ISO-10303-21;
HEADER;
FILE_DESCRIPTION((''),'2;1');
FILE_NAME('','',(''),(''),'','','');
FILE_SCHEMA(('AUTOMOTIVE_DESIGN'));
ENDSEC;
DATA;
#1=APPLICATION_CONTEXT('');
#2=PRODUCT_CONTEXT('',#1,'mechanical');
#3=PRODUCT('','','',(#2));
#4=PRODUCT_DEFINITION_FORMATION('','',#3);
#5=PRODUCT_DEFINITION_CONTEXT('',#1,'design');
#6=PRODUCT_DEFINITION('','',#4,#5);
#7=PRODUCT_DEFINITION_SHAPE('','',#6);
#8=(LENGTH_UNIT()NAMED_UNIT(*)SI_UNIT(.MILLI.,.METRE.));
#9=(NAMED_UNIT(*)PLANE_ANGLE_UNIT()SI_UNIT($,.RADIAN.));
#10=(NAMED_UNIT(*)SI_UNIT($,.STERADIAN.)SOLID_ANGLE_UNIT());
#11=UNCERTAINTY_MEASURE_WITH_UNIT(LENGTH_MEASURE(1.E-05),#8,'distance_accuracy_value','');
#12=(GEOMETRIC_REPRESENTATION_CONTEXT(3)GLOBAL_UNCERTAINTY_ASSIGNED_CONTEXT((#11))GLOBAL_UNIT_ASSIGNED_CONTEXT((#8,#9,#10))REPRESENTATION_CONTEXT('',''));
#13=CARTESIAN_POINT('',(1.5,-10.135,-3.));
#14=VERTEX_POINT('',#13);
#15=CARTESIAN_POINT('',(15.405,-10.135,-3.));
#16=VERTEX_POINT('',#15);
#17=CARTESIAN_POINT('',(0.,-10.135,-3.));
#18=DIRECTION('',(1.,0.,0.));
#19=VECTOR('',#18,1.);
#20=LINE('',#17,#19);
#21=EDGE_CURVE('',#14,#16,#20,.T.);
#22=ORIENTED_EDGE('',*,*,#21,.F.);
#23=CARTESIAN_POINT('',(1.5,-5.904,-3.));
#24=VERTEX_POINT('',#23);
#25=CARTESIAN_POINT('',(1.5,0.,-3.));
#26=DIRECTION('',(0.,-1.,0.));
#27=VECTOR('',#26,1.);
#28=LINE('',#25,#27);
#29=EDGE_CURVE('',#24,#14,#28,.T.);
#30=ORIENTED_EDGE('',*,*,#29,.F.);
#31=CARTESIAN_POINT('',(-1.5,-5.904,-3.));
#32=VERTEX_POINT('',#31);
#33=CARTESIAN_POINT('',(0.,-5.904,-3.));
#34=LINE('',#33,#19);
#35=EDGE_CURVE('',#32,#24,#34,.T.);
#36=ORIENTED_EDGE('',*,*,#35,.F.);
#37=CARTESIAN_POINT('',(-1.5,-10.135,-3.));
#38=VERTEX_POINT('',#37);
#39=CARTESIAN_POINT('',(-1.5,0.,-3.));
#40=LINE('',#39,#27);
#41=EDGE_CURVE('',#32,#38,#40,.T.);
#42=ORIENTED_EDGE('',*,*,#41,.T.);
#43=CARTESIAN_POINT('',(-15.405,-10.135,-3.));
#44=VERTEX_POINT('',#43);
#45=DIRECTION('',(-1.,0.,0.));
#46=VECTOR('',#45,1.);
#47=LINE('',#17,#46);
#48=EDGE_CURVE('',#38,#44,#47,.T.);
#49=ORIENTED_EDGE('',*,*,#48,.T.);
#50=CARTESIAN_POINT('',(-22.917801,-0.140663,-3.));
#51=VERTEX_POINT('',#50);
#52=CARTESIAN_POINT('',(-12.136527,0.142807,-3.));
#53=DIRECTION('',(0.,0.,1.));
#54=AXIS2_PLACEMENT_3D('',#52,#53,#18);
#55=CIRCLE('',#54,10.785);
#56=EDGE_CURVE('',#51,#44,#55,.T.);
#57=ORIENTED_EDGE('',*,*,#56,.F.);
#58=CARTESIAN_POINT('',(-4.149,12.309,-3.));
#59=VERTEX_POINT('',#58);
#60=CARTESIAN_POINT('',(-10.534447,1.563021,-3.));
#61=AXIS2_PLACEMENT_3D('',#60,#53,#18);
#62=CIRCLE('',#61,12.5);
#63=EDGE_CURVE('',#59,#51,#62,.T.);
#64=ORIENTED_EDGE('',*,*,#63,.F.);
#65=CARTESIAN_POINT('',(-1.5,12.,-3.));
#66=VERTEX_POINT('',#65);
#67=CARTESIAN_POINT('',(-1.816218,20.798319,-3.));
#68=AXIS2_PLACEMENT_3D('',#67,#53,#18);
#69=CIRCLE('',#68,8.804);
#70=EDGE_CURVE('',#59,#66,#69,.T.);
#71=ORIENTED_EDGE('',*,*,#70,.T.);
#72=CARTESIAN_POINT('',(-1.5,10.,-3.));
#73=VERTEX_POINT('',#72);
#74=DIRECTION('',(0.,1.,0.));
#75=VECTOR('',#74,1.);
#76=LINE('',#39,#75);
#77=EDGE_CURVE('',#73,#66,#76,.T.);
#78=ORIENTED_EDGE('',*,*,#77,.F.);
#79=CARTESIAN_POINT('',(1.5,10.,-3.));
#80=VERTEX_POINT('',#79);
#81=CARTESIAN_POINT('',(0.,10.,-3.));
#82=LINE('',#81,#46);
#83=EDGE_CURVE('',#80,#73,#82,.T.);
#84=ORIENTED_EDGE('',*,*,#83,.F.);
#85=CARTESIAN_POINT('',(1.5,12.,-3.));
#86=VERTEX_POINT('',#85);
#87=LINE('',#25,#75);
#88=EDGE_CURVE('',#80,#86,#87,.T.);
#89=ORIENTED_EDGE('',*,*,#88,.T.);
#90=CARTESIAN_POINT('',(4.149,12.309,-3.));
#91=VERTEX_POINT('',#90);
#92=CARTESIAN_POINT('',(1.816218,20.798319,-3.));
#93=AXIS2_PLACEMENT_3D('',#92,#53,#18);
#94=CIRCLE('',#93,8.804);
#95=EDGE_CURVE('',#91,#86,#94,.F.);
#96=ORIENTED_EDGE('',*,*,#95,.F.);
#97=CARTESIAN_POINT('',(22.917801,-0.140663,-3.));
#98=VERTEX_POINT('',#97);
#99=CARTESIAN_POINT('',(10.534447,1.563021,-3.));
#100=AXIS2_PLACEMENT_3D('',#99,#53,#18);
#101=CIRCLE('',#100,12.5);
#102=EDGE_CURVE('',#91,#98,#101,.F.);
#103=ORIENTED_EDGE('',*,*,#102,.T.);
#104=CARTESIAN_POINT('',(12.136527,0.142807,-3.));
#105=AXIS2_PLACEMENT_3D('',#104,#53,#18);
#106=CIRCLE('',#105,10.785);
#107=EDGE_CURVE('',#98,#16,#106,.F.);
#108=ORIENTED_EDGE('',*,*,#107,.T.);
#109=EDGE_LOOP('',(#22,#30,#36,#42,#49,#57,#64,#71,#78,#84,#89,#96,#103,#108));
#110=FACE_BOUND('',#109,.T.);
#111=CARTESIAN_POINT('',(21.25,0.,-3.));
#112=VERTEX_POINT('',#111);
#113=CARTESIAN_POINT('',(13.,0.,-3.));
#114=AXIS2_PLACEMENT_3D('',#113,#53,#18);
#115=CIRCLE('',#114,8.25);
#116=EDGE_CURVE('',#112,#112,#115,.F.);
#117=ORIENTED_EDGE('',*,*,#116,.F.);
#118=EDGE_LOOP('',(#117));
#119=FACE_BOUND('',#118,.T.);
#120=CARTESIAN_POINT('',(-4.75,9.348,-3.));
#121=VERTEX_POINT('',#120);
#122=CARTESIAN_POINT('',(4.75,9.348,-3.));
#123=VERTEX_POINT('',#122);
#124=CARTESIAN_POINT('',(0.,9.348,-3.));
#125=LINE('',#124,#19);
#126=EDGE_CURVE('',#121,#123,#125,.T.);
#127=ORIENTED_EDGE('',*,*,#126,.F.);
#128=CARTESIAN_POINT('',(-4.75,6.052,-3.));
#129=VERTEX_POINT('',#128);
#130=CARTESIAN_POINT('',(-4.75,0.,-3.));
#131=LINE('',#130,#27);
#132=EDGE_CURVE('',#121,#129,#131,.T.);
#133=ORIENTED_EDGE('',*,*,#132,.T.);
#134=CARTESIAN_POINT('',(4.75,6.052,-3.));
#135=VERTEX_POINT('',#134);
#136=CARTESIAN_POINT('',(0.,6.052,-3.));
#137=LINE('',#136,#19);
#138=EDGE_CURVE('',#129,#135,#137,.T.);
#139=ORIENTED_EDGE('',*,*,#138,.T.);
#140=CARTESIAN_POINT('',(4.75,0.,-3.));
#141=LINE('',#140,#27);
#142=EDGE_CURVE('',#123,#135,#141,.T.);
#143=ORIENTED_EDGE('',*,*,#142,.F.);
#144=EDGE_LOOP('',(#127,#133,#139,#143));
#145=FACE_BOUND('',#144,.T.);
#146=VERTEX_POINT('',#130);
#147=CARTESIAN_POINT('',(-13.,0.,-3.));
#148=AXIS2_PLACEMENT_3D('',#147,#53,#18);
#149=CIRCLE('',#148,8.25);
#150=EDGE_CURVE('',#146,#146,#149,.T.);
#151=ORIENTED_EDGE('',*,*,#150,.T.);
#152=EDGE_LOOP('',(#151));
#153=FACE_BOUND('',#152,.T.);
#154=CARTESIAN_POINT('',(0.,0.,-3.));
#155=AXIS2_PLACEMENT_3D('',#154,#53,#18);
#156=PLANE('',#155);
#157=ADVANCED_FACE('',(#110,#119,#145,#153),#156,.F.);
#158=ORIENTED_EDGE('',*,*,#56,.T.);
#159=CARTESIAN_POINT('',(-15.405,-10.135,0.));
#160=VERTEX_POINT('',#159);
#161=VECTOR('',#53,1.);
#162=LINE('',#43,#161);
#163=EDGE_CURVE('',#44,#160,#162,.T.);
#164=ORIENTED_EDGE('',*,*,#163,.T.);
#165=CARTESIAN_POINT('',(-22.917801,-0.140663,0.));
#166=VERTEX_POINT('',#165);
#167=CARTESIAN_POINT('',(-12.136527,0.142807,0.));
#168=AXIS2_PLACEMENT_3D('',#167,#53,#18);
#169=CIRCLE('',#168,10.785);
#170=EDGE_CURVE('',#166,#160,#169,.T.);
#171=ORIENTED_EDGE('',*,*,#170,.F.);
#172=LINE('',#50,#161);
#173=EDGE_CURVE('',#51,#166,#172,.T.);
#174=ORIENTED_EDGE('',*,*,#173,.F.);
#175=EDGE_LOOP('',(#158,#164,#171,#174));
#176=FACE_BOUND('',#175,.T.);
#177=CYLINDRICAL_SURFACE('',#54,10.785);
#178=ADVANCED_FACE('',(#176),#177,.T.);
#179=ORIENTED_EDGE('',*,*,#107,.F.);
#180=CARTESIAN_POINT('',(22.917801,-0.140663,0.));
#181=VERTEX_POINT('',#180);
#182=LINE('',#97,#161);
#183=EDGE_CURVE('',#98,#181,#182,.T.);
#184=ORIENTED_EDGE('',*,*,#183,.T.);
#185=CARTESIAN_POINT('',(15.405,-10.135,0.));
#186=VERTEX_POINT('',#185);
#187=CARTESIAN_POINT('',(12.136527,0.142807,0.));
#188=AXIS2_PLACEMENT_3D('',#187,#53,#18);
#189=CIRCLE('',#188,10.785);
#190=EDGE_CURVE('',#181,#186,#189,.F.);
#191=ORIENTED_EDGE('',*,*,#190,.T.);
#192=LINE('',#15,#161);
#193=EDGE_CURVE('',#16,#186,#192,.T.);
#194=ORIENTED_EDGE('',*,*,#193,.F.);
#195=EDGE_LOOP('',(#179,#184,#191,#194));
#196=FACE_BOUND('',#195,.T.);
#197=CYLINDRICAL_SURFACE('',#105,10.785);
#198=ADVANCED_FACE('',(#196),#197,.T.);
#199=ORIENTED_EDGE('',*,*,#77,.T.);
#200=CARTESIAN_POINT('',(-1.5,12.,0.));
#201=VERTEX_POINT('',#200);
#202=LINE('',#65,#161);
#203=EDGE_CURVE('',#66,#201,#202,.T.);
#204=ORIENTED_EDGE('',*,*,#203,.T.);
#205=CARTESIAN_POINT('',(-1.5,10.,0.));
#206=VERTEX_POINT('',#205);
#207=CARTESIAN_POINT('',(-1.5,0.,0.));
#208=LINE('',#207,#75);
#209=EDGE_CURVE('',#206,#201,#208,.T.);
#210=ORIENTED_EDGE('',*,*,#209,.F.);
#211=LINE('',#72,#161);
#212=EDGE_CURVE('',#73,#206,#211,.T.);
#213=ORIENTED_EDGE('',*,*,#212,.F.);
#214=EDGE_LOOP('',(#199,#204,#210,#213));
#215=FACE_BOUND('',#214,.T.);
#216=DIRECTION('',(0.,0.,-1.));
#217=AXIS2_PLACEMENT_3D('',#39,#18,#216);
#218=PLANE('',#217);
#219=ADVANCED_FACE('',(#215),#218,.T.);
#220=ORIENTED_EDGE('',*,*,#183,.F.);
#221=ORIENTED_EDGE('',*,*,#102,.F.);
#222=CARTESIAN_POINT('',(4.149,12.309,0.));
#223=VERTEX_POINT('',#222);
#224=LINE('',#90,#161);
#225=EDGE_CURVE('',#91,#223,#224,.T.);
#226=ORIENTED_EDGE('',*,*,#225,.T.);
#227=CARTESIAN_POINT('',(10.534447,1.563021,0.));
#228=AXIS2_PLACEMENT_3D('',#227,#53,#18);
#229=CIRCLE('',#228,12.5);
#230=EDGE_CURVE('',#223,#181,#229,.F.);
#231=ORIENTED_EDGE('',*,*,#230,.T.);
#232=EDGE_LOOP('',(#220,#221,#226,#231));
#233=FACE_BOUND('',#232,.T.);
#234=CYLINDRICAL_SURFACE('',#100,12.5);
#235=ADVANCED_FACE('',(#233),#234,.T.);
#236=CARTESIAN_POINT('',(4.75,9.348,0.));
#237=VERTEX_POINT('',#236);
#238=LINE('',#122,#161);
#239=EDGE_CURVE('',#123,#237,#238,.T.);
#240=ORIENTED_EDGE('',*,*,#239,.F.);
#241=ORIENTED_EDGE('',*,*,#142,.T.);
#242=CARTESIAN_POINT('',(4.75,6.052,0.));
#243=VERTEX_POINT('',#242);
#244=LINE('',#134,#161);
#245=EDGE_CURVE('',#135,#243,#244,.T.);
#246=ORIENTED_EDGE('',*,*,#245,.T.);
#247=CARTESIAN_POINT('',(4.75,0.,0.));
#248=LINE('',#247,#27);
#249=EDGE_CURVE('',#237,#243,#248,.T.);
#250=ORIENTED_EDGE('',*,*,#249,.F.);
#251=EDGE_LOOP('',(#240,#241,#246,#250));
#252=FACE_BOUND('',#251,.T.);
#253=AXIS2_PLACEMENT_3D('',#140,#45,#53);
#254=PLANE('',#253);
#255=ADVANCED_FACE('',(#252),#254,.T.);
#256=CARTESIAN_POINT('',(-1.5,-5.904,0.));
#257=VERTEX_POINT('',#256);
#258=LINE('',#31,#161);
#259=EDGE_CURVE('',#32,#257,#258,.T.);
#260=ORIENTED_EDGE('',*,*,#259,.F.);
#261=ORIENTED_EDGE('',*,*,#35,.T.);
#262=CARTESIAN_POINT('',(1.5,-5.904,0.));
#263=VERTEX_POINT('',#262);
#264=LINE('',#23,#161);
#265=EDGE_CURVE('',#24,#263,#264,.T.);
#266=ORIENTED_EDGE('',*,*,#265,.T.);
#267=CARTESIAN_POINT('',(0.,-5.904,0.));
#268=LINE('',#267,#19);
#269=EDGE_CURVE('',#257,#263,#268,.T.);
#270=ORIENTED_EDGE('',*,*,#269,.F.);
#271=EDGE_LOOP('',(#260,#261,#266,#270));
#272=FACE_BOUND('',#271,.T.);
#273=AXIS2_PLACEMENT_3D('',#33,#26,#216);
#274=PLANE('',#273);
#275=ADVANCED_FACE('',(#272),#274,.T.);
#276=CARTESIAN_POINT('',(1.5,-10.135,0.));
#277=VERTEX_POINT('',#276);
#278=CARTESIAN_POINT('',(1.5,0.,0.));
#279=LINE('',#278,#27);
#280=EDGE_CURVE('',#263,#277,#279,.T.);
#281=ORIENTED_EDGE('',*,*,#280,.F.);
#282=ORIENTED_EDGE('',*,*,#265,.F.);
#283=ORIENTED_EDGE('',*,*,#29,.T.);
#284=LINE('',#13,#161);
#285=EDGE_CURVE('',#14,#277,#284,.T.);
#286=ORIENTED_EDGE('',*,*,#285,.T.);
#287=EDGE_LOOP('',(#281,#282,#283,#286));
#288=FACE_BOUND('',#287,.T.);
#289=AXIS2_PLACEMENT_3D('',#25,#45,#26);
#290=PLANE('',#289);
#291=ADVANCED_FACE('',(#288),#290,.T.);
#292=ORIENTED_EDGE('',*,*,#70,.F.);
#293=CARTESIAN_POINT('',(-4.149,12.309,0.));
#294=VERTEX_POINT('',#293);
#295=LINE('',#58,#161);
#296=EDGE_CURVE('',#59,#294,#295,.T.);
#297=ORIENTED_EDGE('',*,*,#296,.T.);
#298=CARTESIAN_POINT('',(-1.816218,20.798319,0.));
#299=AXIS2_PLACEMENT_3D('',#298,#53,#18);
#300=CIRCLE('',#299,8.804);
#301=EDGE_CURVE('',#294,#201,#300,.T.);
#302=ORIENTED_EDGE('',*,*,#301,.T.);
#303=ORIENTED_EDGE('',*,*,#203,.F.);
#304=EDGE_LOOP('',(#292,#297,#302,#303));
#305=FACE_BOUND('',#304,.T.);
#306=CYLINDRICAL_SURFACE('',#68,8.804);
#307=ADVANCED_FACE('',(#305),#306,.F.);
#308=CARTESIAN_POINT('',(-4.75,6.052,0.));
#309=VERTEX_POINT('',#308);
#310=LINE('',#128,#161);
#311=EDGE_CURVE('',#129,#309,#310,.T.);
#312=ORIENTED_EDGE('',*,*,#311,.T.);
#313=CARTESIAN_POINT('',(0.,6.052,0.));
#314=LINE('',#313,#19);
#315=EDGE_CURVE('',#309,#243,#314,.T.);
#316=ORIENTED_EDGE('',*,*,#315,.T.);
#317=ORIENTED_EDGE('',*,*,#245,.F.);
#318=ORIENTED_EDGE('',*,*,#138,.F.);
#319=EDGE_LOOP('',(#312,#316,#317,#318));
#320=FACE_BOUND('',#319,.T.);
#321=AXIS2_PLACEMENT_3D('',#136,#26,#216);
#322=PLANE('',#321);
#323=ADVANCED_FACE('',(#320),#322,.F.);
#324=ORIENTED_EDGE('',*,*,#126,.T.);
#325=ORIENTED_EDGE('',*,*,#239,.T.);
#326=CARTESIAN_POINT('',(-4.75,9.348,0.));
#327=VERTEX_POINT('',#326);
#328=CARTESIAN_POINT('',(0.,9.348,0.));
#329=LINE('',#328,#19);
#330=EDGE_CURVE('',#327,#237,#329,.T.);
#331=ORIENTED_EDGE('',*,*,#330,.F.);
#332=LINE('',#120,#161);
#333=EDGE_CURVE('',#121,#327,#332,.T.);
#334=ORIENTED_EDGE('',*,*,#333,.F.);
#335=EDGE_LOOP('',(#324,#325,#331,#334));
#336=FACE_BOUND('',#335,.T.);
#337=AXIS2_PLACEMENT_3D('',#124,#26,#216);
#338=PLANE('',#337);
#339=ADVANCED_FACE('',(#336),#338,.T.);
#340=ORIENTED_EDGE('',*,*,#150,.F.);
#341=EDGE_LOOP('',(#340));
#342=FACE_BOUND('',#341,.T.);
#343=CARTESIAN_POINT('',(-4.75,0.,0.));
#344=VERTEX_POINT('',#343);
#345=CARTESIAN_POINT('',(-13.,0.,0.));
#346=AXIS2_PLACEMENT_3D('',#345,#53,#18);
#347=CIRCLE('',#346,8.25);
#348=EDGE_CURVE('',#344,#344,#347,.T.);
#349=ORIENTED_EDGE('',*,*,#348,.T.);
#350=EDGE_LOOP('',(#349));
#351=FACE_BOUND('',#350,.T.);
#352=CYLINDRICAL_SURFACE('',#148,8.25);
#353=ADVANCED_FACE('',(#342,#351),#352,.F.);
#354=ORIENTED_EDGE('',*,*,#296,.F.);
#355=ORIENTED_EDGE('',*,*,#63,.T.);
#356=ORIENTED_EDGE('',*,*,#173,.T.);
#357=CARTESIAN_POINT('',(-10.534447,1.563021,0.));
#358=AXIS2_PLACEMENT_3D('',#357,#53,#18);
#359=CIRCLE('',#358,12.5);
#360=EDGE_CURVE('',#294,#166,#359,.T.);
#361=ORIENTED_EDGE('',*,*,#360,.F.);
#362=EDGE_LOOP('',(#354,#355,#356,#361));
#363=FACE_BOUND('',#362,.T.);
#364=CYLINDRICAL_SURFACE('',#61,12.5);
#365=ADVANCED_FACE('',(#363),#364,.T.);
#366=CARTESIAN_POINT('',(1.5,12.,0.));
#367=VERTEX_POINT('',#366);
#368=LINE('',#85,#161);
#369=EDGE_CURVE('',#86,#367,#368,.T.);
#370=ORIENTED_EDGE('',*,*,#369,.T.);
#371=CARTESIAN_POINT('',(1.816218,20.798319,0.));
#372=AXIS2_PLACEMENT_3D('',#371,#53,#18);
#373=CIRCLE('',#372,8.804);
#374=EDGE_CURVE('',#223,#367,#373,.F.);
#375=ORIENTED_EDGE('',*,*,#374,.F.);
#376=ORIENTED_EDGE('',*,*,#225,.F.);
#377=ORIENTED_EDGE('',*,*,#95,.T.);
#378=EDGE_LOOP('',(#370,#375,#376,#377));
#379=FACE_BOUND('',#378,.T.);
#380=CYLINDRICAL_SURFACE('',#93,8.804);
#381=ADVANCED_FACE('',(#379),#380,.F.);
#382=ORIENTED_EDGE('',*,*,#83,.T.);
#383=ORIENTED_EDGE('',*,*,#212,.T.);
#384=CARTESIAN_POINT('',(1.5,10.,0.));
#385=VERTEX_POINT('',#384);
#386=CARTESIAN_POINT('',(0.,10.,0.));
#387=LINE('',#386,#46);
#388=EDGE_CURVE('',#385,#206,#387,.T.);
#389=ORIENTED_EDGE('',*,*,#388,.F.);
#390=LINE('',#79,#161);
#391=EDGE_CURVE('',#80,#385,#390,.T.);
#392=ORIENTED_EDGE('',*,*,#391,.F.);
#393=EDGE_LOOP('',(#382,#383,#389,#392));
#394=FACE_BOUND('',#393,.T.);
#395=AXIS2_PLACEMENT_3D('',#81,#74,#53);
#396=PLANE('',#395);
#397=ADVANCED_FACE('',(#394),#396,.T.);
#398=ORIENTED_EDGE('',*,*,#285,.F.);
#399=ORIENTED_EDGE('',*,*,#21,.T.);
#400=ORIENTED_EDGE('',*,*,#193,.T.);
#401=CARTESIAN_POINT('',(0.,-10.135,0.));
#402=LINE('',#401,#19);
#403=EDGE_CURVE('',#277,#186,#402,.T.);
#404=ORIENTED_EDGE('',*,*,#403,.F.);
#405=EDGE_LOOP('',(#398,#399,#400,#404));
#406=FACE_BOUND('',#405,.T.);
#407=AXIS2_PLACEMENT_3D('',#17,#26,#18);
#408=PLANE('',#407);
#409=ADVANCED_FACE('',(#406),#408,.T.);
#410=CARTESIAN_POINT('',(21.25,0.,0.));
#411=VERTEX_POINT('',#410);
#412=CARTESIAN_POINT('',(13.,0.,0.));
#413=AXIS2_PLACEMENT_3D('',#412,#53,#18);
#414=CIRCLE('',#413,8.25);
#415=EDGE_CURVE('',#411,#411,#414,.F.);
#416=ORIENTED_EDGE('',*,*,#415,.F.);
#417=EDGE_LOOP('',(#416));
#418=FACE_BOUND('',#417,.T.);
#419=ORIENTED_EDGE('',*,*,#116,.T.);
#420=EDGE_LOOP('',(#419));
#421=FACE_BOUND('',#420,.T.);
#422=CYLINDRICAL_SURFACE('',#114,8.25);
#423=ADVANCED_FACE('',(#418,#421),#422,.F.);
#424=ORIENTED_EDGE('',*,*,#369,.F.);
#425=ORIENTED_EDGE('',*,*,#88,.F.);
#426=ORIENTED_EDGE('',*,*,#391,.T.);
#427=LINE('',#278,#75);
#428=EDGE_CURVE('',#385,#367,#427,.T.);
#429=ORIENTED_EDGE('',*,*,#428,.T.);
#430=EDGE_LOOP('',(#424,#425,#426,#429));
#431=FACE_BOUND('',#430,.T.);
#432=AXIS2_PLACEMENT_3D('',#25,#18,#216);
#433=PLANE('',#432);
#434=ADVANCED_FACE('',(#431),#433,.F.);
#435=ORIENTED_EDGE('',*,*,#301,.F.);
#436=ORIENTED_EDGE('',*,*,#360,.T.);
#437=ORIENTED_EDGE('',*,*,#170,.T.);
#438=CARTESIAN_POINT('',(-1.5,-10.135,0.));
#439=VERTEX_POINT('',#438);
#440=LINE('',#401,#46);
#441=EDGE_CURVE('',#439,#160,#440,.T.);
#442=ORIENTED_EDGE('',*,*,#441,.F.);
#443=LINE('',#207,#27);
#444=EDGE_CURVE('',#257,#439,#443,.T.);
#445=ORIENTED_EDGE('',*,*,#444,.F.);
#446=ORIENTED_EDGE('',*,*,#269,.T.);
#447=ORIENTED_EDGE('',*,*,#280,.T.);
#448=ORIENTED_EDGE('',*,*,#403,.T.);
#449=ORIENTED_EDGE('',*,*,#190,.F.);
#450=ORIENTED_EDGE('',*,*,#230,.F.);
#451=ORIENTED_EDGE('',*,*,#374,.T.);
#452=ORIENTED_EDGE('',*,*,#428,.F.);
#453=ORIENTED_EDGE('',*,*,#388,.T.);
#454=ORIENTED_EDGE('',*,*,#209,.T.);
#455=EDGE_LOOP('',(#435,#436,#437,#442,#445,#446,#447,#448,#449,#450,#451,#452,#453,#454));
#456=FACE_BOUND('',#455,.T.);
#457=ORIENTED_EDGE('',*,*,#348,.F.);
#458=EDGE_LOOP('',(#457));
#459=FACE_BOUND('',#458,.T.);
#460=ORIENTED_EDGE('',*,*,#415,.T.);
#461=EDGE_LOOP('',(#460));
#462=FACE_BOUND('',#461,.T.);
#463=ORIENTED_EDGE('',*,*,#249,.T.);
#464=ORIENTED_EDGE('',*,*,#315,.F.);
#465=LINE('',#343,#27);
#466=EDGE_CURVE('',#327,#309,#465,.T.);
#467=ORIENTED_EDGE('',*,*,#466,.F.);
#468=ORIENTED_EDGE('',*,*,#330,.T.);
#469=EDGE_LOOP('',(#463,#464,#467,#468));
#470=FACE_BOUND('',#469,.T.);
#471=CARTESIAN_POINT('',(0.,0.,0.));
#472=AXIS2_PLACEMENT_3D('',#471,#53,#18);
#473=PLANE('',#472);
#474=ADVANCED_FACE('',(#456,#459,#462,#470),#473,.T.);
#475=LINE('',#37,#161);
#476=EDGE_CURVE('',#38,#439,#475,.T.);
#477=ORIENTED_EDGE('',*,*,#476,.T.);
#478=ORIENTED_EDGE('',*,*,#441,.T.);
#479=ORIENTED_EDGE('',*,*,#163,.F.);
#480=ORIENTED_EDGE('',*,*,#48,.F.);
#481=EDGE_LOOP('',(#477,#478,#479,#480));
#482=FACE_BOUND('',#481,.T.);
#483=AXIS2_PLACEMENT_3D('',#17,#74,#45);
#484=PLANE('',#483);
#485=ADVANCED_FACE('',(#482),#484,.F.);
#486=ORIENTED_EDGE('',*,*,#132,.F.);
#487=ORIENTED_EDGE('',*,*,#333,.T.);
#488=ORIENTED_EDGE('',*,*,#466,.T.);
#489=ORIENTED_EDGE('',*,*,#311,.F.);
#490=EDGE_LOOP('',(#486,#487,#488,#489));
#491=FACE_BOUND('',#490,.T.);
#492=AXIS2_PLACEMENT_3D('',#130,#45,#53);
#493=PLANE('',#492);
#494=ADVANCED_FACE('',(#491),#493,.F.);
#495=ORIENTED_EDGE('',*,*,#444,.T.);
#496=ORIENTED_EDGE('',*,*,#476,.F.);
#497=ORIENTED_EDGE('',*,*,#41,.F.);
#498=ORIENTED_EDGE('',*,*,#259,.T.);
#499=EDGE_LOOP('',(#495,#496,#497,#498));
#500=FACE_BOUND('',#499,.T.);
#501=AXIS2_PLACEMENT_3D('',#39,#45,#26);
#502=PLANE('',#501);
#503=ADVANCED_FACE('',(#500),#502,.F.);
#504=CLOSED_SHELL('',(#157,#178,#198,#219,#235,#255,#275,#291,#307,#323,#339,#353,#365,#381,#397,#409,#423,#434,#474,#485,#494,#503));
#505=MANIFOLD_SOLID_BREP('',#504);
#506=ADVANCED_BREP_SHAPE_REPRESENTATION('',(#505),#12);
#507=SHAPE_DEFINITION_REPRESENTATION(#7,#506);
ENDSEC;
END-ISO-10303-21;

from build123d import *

# Parameters (mm, degrees)
SKETCH1_R           = 8.25
SKETCH1_W           = 9.5
SKETCH1_H           = 3.296
BOSS_EXTRUDE2_DEPTH = 3


with BuildPart() as part:
    # Sketch1 → Boss-Extrude2 (new body)
    with BuildSketch(Plane.XY):
        with BuildLine():
            Line((1.5, 12), (1.5, 10))
            Line((1.5, 10), (-1.5, 10))
            Line((-1.5, 10), (-1.5, 12))
            ThreePointArc((-1.5, 12), (-2.836268406, 12.053611624), (-4.149, 12.309))
            ThreePointArc((-4.149, 12.309), (-17.444023797, 11.979726259), (-22.91780124, -0.140663152))
            ThreePointArc((-22.91780124, -0.140663152), (-20.757463276, -6.337601174), (-15.405, -10.135))
            Line((-15.405, -10.135), (-1.5, -10.135))
            Line((-1.5, -10.135), (-1.5, -5.904))
            Line((-1.5, -5.904), (1.5, -5.904))
            Line((1.5, -5.904), (1.5, -10.135))
            Line((1.5, -10.135), (15.405, -10.135))
            ThreePointArc((15.405, -10.135), (20.757463276, -6.337601174), (22.91780124, -0.140663152))
            ThreePointArc((22.91780124, -0.140663152), (17.444023797, 11.979726259), (4.149, 12.309))
            ThreePointArc((4.149, 12.309), (2.836268406, 12.053611624), (1.5, 12))
        make_face()
        with Locations((-13, 0)):
            Circle(SKETCH1_R, mode=Mode.SUBTRACT)
        with Locations((13, 0)):
            Circle(SKETCH1_R, mode=Mode.SUBTRACT)
        with Locations((0, 7.7)):
            Rectangle(SKETCH1_W, SKETCH1_H, mode=Mode.SUBTRACT)
    extrude(amount=-BOSS_EXTRUDE2_DEPTH)


solid = part.part
